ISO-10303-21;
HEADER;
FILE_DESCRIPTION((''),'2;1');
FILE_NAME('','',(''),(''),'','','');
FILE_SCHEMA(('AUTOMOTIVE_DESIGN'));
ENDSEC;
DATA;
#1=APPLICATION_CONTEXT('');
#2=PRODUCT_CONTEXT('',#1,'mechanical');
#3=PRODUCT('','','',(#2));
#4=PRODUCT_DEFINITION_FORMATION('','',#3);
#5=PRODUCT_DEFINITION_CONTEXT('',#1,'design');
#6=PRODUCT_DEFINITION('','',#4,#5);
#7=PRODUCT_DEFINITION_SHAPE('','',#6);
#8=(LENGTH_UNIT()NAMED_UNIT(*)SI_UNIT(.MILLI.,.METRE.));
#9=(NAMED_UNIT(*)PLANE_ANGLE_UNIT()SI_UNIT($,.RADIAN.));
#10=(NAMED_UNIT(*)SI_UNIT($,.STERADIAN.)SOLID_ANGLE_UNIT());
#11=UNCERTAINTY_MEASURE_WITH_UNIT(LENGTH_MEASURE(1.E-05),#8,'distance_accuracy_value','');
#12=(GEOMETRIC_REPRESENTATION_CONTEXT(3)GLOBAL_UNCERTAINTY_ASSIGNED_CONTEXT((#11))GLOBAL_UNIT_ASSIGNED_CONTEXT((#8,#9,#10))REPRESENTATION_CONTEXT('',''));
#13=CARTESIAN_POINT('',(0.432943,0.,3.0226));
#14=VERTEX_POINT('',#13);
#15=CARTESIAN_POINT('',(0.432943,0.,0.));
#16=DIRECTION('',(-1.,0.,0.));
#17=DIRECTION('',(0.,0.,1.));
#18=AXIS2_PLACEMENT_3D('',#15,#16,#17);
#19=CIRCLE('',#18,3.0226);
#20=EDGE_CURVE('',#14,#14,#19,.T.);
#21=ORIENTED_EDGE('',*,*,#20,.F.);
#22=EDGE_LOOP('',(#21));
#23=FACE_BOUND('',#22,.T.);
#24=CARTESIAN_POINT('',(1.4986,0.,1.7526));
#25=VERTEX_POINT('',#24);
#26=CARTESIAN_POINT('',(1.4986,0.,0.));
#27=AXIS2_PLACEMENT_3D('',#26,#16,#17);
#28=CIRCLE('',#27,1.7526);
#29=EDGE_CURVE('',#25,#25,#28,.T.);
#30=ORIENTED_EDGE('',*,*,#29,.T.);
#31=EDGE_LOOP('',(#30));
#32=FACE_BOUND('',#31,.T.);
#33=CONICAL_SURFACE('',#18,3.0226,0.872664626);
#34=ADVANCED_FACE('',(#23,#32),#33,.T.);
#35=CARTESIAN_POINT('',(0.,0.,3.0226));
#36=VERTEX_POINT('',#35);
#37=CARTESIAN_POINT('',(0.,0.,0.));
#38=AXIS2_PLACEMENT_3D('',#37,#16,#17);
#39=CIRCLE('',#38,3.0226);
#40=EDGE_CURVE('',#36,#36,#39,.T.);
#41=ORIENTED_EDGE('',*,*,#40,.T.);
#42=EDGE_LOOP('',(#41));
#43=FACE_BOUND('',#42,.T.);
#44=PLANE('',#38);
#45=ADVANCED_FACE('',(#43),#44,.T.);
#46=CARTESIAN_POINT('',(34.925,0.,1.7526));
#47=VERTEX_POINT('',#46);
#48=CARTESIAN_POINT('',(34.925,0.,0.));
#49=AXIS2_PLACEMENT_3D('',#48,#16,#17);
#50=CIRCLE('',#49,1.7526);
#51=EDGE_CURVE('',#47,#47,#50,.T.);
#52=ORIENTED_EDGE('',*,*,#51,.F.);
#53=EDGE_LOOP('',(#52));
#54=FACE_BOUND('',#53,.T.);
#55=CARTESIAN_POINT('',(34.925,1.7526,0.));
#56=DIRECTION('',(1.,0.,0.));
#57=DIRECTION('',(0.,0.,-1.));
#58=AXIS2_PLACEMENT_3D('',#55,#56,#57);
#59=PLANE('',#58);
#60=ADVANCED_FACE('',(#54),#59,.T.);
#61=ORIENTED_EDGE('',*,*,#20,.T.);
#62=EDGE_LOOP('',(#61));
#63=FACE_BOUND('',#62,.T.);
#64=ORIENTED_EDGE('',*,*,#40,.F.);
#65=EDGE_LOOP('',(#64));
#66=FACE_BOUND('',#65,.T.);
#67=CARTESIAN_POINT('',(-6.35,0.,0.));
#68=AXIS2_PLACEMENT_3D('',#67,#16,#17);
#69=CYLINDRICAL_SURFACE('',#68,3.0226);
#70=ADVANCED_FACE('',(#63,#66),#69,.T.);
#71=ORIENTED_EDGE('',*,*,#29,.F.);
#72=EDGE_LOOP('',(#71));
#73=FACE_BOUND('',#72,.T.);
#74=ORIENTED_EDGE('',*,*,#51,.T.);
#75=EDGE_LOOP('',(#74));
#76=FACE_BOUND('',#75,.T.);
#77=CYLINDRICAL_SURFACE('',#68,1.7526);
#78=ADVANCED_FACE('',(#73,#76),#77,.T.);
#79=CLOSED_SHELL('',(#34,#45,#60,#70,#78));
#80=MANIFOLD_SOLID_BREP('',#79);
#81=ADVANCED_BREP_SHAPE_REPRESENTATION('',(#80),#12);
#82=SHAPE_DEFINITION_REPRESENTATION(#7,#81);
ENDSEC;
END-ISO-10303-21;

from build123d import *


with BuildPart() as part:
    # BodySke → Base-Revolve (revolve)
    with BuildSketch(Plane.XY):
        Polygon((0, 0), (0, 3.0226), (0.432943468, 3.0226), (1.4986, 1.7526), (34.925, 1.7526), (34.925, 0), align=None)
    revolve(axis=Axis((-6.35, 0, 0), (1, 0, 0)))


solid = part.part
